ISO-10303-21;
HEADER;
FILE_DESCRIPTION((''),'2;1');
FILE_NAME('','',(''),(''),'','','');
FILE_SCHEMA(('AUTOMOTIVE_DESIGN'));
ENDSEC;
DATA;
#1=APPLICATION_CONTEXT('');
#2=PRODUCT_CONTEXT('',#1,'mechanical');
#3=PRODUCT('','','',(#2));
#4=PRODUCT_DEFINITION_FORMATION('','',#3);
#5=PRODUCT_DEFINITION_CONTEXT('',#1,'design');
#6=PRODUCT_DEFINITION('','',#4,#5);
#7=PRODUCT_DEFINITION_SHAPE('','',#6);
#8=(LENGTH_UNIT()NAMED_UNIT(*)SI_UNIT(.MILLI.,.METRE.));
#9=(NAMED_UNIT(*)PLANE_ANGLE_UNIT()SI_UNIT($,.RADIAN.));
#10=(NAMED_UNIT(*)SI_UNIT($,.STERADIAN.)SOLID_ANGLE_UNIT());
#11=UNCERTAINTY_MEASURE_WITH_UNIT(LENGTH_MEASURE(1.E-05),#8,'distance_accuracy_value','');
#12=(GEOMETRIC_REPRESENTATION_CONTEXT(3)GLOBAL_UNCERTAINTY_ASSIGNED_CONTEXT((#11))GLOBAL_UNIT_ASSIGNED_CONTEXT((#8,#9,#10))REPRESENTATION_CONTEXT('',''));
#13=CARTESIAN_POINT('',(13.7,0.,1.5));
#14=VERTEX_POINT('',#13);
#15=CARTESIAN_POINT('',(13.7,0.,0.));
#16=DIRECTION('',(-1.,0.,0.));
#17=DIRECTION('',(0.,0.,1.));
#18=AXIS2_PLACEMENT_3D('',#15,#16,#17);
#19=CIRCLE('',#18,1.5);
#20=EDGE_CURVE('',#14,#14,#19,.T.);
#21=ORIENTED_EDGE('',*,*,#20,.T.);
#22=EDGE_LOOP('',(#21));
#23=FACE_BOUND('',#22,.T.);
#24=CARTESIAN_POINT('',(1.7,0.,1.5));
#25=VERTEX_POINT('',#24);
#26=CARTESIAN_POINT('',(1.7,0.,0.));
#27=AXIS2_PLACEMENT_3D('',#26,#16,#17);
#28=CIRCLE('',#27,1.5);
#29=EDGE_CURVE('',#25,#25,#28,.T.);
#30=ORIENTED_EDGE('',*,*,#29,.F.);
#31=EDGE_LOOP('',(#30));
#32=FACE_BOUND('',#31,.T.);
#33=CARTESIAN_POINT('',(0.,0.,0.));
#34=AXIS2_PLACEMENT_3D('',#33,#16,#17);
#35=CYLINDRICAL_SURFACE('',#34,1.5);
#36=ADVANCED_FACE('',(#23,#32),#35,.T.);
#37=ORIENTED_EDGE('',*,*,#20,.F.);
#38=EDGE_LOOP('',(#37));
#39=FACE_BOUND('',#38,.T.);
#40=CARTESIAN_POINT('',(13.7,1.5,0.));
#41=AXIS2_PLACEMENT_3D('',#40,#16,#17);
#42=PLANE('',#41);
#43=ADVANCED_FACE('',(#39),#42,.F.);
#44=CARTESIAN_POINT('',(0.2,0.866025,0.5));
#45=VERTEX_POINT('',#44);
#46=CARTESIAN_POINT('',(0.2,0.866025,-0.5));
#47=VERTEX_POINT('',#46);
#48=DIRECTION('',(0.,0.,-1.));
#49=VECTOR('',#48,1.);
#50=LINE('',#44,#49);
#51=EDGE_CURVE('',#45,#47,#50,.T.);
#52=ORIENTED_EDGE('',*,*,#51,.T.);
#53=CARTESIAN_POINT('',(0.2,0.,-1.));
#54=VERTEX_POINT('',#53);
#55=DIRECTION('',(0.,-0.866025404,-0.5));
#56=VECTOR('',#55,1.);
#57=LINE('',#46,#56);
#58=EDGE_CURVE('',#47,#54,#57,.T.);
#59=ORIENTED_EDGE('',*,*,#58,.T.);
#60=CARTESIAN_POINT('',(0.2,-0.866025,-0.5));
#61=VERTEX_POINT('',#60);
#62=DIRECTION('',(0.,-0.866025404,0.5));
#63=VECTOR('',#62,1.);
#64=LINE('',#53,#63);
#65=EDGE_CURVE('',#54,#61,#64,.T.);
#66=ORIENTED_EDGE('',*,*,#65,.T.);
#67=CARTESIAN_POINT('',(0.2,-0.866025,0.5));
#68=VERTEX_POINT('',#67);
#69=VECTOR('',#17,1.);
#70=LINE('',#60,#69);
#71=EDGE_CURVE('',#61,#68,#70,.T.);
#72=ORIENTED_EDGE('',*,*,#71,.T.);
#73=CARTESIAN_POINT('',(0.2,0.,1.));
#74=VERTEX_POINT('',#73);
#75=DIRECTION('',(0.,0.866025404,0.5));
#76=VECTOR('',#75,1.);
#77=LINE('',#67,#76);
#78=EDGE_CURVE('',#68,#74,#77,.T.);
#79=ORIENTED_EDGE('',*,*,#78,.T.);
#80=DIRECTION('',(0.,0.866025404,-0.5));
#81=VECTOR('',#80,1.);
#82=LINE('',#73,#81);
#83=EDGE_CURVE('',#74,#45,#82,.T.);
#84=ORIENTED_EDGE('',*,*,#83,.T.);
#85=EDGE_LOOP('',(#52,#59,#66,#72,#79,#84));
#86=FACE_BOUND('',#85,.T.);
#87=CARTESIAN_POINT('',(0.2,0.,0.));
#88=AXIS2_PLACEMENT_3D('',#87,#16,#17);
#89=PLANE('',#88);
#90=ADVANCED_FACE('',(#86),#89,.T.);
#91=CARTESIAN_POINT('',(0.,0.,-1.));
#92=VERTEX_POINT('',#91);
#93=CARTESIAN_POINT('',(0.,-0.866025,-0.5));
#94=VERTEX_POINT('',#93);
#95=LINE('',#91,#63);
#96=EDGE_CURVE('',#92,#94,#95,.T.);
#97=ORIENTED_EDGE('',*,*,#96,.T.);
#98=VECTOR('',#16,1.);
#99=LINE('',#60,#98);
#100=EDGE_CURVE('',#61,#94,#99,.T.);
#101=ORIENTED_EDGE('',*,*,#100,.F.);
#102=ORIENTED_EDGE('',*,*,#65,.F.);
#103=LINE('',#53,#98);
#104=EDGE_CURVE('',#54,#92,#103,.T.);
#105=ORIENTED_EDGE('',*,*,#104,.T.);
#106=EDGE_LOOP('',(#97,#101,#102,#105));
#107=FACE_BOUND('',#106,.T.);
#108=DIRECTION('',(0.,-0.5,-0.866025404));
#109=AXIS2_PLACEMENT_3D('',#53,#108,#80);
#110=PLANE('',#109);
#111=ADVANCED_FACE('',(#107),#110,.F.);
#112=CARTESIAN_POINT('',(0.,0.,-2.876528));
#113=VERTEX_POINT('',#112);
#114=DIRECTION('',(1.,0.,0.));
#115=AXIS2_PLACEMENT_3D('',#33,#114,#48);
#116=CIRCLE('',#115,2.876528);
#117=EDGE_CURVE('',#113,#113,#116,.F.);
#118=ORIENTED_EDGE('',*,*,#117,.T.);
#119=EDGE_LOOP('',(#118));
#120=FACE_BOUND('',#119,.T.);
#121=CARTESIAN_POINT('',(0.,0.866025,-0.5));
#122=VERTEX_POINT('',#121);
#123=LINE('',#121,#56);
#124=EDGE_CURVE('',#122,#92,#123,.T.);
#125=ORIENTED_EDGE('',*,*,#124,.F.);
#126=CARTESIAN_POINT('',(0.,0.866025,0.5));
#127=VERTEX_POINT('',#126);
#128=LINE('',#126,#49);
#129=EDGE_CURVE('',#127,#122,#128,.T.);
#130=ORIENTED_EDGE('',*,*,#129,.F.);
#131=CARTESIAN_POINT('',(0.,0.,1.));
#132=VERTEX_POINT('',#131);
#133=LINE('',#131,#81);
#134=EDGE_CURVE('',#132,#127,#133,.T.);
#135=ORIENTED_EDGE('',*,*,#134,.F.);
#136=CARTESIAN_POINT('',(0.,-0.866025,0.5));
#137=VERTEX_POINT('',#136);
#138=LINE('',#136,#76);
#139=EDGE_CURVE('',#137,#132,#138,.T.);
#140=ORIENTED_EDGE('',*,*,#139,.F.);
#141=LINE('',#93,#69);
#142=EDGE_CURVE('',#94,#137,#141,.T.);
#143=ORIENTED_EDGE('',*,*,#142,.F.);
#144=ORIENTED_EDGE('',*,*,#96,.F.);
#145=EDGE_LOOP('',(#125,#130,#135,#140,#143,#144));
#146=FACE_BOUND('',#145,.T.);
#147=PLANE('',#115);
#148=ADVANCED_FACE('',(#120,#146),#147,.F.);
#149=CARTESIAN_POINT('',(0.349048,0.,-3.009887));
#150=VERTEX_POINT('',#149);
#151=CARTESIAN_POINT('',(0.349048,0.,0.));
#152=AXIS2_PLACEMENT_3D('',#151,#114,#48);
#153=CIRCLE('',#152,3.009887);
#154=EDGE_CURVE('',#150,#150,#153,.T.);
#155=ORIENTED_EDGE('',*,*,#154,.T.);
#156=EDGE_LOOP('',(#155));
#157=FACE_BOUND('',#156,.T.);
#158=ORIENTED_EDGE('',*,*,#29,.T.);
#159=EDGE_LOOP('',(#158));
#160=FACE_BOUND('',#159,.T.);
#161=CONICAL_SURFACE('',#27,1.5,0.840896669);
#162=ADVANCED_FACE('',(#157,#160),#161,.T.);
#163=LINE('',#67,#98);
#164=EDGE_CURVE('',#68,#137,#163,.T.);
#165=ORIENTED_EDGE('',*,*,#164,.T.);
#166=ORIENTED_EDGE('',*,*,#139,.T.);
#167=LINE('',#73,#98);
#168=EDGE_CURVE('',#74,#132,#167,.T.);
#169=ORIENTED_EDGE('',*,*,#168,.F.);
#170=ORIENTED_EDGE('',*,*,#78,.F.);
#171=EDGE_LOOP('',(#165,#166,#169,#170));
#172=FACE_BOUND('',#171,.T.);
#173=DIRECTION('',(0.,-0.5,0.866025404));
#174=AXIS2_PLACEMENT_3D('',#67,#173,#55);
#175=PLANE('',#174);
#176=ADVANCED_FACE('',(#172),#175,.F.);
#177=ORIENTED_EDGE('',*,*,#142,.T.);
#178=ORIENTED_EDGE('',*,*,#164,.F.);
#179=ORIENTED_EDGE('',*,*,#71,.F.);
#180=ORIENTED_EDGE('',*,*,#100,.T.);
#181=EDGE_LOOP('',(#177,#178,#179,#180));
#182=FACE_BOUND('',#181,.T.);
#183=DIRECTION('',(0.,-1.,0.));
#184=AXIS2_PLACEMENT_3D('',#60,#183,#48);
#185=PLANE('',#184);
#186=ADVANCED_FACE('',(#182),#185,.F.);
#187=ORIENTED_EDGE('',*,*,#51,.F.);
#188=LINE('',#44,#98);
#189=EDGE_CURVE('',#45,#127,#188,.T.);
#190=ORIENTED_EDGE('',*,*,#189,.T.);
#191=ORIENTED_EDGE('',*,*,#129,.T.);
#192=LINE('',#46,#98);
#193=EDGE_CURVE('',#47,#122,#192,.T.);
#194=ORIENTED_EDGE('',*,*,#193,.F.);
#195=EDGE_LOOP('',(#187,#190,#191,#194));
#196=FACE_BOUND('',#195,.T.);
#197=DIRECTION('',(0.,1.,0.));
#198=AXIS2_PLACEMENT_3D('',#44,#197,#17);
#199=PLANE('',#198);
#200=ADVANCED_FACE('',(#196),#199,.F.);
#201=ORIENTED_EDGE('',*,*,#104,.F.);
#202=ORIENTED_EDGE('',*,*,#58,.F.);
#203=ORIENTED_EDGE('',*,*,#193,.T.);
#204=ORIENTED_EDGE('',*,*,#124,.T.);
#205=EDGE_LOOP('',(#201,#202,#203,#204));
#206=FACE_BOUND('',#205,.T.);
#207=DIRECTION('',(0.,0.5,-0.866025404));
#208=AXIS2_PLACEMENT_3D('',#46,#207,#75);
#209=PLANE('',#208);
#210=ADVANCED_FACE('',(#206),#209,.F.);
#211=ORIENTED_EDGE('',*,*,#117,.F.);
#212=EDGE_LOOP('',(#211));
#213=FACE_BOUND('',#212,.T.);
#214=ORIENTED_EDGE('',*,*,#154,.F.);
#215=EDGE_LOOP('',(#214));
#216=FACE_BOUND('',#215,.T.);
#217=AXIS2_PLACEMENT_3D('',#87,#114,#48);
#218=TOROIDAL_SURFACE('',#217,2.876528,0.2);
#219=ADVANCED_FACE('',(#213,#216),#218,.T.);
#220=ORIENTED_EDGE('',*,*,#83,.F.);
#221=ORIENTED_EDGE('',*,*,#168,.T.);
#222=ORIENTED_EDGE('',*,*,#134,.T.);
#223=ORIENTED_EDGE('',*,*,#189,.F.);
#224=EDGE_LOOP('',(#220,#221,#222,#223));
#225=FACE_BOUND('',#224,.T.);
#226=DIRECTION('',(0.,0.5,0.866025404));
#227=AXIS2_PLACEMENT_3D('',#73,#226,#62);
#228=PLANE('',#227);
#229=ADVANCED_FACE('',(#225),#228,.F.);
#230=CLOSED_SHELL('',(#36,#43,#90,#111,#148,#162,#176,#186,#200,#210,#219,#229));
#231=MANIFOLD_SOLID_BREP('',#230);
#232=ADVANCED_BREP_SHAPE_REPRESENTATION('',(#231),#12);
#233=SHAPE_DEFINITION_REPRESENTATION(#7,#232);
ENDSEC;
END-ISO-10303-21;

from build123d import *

# Parameters (mm, degrees)
CONG_1_R                = 0.2
ENL_V_MAT_EXTRU_1_DEPTH = 0.2


with BuildPart() as part:
    # Esquisse1 → Révolution1 (revolve)
    with BuildSketch(Plane.XY, mode=Mode.PRIVATE) as r_volution1_sk:
        Polygon((0, 0), (0, 3.4), (1.7, 1.5), (13.7, 1.5), (13.7, 0), align=None)
    revolve(r_volution1_sk.sketch.rotate(Axis((0, 0, 0), (1, 0, 0)), 90), axis=Axis((0, 0, 0), (1, 0, 0)))

    # Congé1
    cong_1_edges = [part.edges().sort_by_distance(p)[0] for p in [
        (0, 0, -3.4),
    ]]
    fillet(cong_1_edges, radius=CONG_1_R)

    # Esquisse2 → Enlèv. mat.-Extru.1 (cut)
    with BuildSketch(Plane.ZY):
        Polygon((0.5, -0.866025404), (1, 0), (0.5, 0.866025404), (-0.5, 0.866025404), (-1, 0), (-0.5, -0.866025404), align=None)
    extrude(amount=-ENL_V_MAT_EXTRU_1_DEPTH, mode=Mode.SUBTRACT)


solid = part.part
